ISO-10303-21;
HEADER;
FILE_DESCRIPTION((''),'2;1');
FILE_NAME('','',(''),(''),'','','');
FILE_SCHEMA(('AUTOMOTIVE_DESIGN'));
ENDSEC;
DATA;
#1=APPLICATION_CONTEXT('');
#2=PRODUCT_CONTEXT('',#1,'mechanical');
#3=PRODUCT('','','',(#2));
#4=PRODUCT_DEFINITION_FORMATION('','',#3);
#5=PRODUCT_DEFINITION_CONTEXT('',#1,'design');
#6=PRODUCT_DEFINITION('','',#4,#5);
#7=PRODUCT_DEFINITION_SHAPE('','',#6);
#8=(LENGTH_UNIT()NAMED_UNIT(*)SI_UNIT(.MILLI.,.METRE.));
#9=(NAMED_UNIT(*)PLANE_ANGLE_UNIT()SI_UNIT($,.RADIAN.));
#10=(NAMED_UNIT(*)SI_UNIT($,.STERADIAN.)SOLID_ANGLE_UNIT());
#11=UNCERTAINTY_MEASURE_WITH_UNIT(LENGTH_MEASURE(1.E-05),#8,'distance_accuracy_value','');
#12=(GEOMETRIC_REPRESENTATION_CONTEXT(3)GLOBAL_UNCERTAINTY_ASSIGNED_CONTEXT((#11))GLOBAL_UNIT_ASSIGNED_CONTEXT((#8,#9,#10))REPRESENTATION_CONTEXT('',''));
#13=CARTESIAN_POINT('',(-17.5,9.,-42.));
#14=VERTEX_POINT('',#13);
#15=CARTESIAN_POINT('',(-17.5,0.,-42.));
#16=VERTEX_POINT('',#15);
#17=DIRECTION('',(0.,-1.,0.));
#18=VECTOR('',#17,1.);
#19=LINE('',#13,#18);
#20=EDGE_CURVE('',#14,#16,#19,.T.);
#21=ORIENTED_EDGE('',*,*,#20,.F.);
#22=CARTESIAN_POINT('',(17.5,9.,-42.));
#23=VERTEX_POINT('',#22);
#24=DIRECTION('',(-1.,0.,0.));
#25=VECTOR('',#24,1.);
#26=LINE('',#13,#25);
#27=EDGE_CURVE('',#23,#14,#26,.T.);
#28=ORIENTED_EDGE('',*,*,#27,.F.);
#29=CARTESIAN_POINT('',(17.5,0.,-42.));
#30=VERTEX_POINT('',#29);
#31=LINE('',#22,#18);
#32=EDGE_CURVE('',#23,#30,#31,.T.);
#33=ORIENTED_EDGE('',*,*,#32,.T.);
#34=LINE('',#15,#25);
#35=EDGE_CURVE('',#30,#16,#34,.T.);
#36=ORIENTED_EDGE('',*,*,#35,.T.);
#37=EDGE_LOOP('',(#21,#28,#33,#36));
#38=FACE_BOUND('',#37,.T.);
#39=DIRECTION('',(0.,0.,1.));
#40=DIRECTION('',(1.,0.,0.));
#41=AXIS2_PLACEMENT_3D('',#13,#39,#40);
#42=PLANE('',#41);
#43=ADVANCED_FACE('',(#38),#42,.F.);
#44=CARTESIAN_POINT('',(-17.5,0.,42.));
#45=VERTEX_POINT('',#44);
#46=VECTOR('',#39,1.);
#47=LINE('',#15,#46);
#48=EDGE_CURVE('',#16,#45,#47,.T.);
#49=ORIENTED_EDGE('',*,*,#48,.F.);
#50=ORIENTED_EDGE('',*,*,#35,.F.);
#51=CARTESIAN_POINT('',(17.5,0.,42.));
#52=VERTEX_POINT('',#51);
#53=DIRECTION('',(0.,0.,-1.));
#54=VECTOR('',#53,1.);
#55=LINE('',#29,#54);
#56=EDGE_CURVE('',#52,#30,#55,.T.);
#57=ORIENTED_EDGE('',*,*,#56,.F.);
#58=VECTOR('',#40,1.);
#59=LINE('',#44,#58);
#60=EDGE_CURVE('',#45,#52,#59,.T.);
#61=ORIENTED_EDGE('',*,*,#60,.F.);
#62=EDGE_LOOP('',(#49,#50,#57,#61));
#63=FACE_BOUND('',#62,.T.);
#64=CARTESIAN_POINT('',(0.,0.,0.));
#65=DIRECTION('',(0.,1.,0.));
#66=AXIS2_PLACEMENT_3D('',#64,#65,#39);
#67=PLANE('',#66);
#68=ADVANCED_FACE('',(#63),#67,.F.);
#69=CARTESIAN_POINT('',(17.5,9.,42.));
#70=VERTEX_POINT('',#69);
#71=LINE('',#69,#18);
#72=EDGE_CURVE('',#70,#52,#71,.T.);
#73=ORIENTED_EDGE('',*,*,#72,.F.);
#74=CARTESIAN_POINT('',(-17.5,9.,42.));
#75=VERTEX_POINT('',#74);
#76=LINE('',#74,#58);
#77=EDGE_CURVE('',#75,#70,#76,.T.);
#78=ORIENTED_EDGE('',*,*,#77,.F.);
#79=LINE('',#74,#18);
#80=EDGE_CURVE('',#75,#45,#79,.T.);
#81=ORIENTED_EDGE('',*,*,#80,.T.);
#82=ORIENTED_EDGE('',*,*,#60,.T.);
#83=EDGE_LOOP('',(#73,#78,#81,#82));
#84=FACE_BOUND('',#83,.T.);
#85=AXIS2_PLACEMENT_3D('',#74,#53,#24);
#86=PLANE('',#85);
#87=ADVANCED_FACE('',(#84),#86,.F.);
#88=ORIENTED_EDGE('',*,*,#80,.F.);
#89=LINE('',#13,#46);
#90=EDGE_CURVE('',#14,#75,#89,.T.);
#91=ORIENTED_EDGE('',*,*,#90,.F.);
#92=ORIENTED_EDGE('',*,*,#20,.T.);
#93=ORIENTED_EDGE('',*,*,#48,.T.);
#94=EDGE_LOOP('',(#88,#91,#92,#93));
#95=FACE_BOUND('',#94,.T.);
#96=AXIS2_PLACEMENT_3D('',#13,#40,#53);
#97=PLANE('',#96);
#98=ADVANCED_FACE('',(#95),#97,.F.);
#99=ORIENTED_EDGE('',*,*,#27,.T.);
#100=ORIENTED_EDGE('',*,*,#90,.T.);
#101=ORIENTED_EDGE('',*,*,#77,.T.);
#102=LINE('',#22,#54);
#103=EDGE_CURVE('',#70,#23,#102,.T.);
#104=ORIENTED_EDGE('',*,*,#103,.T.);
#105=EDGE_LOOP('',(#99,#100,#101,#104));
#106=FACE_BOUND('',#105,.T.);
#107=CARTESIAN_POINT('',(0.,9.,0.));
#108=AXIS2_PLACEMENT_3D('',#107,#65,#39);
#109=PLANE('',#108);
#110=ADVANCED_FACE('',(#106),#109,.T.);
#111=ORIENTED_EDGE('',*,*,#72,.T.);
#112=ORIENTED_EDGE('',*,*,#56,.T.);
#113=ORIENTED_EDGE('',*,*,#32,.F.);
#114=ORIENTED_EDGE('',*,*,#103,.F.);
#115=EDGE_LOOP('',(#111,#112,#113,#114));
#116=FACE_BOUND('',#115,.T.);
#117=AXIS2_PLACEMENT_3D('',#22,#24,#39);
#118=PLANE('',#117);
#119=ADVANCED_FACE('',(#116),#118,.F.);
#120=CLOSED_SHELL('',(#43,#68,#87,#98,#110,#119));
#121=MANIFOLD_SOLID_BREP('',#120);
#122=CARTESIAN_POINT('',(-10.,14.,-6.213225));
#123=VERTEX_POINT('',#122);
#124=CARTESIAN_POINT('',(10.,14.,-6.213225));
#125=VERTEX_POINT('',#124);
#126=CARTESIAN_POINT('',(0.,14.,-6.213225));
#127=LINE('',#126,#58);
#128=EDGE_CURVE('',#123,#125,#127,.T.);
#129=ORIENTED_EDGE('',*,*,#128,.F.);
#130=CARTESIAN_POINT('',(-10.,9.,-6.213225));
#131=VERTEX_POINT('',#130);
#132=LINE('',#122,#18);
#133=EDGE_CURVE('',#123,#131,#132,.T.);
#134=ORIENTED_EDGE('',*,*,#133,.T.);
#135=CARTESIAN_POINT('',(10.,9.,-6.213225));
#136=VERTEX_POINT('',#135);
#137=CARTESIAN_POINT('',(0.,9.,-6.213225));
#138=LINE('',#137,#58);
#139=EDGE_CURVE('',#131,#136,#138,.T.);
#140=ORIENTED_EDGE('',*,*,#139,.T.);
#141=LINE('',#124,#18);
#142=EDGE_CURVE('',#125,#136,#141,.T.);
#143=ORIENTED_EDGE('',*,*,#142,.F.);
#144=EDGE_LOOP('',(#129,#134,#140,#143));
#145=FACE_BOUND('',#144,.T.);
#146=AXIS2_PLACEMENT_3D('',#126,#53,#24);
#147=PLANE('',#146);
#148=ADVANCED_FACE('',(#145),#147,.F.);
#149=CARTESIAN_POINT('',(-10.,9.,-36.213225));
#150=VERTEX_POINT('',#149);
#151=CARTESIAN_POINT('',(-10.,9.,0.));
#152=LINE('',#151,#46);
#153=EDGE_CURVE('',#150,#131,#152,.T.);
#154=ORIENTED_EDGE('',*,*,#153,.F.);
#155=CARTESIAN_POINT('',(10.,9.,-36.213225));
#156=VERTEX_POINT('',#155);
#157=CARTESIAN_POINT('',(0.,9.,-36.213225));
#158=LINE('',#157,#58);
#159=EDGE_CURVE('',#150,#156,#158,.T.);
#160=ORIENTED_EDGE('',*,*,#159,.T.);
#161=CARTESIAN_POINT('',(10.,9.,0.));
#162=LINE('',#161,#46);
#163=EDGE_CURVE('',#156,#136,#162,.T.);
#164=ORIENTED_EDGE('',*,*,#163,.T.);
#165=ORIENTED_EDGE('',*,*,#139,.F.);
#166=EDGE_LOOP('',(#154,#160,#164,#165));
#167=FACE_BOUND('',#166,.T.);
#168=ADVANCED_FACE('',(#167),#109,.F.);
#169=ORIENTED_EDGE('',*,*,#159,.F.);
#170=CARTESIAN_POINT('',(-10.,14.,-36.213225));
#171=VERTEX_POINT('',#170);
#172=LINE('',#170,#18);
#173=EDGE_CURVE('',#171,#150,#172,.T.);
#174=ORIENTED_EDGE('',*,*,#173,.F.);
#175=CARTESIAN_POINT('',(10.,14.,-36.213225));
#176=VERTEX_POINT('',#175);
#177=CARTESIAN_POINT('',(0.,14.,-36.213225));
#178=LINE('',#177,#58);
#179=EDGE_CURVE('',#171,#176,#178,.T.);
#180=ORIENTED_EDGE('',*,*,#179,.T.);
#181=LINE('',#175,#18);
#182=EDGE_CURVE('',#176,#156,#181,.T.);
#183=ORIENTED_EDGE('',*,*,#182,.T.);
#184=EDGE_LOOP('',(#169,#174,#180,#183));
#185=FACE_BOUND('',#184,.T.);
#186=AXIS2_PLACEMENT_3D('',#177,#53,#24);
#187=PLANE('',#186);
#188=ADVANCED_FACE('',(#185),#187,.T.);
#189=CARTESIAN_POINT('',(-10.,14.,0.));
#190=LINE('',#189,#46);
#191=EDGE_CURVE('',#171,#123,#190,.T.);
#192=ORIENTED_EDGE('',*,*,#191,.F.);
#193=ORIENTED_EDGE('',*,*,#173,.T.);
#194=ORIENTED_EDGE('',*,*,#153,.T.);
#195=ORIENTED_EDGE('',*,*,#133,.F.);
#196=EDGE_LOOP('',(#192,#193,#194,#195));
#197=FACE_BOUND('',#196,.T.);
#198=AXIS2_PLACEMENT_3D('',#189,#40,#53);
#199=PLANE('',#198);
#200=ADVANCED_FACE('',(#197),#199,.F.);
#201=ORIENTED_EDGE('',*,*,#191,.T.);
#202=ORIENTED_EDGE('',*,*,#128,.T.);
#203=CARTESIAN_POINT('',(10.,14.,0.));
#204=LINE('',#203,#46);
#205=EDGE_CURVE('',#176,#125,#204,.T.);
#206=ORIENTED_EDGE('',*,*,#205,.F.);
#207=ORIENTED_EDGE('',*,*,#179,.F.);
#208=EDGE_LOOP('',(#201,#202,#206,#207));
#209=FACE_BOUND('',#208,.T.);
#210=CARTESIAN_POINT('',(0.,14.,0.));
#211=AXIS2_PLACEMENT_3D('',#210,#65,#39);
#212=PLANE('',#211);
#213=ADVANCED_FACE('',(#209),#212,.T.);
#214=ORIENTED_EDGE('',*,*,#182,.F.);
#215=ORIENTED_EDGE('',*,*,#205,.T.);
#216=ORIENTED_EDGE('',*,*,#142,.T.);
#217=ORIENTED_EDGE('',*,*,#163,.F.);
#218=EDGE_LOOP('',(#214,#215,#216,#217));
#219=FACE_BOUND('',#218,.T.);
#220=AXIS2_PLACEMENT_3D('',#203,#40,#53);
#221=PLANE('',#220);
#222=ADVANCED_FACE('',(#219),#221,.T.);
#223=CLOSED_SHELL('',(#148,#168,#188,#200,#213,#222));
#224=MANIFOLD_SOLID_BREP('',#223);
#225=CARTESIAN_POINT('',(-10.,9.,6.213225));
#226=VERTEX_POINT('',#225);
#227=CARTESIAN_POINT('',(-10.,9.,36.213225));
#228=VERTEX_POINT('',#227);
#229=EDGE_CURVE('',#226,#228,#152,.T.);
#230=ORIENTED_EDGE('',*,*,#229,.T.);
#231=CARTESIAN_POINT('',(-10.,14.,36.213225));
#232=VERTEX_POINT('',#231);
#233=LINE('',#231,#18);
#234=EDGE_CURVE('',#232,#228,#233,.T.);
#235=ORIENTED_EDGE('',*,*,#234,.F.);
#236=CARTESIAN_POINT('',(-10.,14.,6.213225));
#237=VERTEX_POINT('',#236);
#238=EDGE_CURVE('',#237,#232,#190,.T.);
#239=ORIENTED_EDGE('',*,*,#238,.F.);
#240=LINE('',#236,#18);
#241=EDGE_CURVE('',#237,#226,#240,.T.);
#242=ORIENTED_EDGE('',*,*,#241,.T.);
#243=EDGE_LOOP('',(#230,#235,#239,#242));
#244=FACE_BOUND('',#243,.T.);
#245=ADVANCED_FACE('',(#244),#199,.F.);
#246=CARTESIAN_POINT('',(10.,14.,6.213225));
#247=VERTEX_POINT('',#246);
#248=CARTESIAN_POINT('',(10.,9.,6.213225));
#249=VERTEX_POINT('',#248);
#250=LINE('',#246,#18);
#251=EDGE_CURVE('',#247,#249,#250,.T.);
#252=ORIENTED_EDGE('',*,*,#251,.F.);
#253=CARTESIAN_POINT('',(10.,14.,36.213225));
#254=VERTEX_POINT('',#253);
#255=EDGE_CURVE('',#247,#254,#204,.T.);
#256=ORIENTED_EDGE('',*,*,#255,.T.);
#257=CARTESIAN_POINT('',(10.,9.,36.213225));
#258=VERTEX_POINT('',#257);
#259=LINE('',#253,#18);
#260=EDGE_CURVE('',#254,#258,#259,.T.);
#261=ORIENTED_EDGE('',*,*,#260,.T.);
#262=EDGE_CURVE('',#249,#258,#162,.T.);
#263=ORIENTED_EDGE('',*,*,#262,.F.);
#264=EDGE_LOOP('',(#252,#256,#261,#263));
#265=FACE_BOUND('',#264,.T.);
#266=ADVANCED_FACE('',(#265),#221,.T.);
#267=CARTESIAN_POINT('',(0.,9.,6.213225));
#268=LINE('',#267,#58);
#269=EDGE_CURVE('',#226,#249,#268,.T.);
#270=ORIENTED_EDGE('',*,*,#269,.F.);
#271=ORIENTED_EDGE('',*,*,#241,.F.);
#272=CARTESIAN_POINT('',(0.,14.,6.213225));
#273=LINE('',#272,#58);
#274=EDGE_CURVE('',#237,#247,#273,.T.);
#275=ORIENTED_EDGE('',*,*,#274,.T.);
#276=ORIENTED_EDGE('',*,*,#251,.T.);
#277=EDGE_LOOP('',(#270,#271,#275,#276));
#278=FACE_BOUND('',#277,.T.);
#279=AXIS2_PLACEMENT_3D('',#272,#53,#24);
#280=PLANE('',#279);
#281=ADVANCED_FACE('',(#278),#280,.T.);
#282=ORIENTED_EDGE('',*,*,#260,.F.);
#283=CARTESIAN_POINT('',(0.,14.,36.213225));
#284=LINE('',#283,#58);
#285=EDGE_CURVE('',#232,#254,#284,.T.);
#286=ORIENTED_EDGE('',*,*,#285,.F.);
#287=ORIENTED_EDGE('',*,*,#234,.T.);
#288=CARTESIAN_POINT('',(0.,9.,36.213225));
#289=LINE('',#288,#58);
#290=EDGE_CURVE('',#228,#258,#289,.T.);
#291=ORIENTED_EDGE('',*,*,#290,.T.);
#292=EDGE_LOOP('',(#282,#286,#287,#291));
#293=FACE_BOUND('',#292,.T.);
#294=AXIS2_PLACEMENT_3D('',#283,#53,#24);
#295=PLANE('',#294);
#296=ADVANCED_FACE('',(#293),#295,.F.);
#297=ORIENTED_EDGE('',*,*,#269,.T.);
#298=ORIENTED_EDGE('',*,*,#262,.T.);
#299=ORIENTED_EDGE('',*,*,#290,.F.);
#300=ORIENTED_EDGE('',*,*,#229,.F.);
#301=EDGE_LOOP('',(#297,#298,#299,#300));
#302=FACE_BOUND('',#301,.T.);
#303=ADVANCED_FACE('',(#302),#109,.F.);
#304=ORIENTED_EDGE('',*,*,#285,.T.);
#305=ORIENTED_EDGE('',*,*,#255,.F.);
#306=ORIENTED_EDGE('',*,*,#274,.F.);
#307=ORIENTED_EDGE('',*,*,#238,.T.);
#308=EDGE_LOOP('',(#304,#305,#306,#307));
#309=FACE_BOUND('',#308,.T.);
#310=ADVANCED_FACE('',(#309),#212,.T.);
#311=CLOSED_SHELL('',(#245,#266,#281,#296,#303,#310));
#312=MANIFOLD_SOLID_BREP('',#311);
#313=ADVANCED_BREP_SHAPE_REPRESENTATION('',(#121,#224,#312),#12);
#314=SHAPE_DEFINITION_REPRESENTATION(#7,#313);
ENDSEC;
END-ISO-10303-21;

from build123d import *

# Parameters (mm, degrees)
SKETCH1_W             = 35
SKETCH1_H             = 84
BOSS_EXTRUDE1_DEPTH   = 9
SKETCH2_W             = 20
SKETCH2_H             = 30
BOSS_EXTRUDE2_DEPTH   = 5
BOSS_EXTRUDE2_2_DEPTH = 5


with BuildPart() as part:
    # Sketch1 → Boss-Extrude1 (new body)
    with BuildSketch(Plane(origin=(0, 0, 0), x_dir=(1, 0, 0), z_dir=(0, 1, 0))):
        Rectangle(SKETCH1_W, SKETCH1_H)
    extrude(amount=BOSS_EXTRUDE1_DEPTH)


with BuildPart() as body_2:
    # Sketch2 → Boss-Extrude2 (new body)
    with BuildSketch(Plane(origin=(0, 9, 0), x_dir=(1, 0, 0), z_dir=(0, 1, 0))):
        with Locations((0, 21.213224671)):
            Rectangle(SKETCH2_W, SKETCH2_H)
    extrude(amount=BOSS_EXTRUDE2_DEPTH)


with BuildPart() as body_3:
    # Sketch2 → Boss-Extrude2 2 (new body)
    with BuildSketch(Plane(origin=(0, 9, 0), x_dir=(1, 0, 0), z_dir=(0, 1, 0))):
        with Locations((0, -21.213224671)):
            Rectangle(SKETCH2_W, SKETCH2_H)
    extrude(amount=BOSS_EXTRUDE2_2_DEPTH)


solid = Compound([part.part, body_2.part, body_3.part])
